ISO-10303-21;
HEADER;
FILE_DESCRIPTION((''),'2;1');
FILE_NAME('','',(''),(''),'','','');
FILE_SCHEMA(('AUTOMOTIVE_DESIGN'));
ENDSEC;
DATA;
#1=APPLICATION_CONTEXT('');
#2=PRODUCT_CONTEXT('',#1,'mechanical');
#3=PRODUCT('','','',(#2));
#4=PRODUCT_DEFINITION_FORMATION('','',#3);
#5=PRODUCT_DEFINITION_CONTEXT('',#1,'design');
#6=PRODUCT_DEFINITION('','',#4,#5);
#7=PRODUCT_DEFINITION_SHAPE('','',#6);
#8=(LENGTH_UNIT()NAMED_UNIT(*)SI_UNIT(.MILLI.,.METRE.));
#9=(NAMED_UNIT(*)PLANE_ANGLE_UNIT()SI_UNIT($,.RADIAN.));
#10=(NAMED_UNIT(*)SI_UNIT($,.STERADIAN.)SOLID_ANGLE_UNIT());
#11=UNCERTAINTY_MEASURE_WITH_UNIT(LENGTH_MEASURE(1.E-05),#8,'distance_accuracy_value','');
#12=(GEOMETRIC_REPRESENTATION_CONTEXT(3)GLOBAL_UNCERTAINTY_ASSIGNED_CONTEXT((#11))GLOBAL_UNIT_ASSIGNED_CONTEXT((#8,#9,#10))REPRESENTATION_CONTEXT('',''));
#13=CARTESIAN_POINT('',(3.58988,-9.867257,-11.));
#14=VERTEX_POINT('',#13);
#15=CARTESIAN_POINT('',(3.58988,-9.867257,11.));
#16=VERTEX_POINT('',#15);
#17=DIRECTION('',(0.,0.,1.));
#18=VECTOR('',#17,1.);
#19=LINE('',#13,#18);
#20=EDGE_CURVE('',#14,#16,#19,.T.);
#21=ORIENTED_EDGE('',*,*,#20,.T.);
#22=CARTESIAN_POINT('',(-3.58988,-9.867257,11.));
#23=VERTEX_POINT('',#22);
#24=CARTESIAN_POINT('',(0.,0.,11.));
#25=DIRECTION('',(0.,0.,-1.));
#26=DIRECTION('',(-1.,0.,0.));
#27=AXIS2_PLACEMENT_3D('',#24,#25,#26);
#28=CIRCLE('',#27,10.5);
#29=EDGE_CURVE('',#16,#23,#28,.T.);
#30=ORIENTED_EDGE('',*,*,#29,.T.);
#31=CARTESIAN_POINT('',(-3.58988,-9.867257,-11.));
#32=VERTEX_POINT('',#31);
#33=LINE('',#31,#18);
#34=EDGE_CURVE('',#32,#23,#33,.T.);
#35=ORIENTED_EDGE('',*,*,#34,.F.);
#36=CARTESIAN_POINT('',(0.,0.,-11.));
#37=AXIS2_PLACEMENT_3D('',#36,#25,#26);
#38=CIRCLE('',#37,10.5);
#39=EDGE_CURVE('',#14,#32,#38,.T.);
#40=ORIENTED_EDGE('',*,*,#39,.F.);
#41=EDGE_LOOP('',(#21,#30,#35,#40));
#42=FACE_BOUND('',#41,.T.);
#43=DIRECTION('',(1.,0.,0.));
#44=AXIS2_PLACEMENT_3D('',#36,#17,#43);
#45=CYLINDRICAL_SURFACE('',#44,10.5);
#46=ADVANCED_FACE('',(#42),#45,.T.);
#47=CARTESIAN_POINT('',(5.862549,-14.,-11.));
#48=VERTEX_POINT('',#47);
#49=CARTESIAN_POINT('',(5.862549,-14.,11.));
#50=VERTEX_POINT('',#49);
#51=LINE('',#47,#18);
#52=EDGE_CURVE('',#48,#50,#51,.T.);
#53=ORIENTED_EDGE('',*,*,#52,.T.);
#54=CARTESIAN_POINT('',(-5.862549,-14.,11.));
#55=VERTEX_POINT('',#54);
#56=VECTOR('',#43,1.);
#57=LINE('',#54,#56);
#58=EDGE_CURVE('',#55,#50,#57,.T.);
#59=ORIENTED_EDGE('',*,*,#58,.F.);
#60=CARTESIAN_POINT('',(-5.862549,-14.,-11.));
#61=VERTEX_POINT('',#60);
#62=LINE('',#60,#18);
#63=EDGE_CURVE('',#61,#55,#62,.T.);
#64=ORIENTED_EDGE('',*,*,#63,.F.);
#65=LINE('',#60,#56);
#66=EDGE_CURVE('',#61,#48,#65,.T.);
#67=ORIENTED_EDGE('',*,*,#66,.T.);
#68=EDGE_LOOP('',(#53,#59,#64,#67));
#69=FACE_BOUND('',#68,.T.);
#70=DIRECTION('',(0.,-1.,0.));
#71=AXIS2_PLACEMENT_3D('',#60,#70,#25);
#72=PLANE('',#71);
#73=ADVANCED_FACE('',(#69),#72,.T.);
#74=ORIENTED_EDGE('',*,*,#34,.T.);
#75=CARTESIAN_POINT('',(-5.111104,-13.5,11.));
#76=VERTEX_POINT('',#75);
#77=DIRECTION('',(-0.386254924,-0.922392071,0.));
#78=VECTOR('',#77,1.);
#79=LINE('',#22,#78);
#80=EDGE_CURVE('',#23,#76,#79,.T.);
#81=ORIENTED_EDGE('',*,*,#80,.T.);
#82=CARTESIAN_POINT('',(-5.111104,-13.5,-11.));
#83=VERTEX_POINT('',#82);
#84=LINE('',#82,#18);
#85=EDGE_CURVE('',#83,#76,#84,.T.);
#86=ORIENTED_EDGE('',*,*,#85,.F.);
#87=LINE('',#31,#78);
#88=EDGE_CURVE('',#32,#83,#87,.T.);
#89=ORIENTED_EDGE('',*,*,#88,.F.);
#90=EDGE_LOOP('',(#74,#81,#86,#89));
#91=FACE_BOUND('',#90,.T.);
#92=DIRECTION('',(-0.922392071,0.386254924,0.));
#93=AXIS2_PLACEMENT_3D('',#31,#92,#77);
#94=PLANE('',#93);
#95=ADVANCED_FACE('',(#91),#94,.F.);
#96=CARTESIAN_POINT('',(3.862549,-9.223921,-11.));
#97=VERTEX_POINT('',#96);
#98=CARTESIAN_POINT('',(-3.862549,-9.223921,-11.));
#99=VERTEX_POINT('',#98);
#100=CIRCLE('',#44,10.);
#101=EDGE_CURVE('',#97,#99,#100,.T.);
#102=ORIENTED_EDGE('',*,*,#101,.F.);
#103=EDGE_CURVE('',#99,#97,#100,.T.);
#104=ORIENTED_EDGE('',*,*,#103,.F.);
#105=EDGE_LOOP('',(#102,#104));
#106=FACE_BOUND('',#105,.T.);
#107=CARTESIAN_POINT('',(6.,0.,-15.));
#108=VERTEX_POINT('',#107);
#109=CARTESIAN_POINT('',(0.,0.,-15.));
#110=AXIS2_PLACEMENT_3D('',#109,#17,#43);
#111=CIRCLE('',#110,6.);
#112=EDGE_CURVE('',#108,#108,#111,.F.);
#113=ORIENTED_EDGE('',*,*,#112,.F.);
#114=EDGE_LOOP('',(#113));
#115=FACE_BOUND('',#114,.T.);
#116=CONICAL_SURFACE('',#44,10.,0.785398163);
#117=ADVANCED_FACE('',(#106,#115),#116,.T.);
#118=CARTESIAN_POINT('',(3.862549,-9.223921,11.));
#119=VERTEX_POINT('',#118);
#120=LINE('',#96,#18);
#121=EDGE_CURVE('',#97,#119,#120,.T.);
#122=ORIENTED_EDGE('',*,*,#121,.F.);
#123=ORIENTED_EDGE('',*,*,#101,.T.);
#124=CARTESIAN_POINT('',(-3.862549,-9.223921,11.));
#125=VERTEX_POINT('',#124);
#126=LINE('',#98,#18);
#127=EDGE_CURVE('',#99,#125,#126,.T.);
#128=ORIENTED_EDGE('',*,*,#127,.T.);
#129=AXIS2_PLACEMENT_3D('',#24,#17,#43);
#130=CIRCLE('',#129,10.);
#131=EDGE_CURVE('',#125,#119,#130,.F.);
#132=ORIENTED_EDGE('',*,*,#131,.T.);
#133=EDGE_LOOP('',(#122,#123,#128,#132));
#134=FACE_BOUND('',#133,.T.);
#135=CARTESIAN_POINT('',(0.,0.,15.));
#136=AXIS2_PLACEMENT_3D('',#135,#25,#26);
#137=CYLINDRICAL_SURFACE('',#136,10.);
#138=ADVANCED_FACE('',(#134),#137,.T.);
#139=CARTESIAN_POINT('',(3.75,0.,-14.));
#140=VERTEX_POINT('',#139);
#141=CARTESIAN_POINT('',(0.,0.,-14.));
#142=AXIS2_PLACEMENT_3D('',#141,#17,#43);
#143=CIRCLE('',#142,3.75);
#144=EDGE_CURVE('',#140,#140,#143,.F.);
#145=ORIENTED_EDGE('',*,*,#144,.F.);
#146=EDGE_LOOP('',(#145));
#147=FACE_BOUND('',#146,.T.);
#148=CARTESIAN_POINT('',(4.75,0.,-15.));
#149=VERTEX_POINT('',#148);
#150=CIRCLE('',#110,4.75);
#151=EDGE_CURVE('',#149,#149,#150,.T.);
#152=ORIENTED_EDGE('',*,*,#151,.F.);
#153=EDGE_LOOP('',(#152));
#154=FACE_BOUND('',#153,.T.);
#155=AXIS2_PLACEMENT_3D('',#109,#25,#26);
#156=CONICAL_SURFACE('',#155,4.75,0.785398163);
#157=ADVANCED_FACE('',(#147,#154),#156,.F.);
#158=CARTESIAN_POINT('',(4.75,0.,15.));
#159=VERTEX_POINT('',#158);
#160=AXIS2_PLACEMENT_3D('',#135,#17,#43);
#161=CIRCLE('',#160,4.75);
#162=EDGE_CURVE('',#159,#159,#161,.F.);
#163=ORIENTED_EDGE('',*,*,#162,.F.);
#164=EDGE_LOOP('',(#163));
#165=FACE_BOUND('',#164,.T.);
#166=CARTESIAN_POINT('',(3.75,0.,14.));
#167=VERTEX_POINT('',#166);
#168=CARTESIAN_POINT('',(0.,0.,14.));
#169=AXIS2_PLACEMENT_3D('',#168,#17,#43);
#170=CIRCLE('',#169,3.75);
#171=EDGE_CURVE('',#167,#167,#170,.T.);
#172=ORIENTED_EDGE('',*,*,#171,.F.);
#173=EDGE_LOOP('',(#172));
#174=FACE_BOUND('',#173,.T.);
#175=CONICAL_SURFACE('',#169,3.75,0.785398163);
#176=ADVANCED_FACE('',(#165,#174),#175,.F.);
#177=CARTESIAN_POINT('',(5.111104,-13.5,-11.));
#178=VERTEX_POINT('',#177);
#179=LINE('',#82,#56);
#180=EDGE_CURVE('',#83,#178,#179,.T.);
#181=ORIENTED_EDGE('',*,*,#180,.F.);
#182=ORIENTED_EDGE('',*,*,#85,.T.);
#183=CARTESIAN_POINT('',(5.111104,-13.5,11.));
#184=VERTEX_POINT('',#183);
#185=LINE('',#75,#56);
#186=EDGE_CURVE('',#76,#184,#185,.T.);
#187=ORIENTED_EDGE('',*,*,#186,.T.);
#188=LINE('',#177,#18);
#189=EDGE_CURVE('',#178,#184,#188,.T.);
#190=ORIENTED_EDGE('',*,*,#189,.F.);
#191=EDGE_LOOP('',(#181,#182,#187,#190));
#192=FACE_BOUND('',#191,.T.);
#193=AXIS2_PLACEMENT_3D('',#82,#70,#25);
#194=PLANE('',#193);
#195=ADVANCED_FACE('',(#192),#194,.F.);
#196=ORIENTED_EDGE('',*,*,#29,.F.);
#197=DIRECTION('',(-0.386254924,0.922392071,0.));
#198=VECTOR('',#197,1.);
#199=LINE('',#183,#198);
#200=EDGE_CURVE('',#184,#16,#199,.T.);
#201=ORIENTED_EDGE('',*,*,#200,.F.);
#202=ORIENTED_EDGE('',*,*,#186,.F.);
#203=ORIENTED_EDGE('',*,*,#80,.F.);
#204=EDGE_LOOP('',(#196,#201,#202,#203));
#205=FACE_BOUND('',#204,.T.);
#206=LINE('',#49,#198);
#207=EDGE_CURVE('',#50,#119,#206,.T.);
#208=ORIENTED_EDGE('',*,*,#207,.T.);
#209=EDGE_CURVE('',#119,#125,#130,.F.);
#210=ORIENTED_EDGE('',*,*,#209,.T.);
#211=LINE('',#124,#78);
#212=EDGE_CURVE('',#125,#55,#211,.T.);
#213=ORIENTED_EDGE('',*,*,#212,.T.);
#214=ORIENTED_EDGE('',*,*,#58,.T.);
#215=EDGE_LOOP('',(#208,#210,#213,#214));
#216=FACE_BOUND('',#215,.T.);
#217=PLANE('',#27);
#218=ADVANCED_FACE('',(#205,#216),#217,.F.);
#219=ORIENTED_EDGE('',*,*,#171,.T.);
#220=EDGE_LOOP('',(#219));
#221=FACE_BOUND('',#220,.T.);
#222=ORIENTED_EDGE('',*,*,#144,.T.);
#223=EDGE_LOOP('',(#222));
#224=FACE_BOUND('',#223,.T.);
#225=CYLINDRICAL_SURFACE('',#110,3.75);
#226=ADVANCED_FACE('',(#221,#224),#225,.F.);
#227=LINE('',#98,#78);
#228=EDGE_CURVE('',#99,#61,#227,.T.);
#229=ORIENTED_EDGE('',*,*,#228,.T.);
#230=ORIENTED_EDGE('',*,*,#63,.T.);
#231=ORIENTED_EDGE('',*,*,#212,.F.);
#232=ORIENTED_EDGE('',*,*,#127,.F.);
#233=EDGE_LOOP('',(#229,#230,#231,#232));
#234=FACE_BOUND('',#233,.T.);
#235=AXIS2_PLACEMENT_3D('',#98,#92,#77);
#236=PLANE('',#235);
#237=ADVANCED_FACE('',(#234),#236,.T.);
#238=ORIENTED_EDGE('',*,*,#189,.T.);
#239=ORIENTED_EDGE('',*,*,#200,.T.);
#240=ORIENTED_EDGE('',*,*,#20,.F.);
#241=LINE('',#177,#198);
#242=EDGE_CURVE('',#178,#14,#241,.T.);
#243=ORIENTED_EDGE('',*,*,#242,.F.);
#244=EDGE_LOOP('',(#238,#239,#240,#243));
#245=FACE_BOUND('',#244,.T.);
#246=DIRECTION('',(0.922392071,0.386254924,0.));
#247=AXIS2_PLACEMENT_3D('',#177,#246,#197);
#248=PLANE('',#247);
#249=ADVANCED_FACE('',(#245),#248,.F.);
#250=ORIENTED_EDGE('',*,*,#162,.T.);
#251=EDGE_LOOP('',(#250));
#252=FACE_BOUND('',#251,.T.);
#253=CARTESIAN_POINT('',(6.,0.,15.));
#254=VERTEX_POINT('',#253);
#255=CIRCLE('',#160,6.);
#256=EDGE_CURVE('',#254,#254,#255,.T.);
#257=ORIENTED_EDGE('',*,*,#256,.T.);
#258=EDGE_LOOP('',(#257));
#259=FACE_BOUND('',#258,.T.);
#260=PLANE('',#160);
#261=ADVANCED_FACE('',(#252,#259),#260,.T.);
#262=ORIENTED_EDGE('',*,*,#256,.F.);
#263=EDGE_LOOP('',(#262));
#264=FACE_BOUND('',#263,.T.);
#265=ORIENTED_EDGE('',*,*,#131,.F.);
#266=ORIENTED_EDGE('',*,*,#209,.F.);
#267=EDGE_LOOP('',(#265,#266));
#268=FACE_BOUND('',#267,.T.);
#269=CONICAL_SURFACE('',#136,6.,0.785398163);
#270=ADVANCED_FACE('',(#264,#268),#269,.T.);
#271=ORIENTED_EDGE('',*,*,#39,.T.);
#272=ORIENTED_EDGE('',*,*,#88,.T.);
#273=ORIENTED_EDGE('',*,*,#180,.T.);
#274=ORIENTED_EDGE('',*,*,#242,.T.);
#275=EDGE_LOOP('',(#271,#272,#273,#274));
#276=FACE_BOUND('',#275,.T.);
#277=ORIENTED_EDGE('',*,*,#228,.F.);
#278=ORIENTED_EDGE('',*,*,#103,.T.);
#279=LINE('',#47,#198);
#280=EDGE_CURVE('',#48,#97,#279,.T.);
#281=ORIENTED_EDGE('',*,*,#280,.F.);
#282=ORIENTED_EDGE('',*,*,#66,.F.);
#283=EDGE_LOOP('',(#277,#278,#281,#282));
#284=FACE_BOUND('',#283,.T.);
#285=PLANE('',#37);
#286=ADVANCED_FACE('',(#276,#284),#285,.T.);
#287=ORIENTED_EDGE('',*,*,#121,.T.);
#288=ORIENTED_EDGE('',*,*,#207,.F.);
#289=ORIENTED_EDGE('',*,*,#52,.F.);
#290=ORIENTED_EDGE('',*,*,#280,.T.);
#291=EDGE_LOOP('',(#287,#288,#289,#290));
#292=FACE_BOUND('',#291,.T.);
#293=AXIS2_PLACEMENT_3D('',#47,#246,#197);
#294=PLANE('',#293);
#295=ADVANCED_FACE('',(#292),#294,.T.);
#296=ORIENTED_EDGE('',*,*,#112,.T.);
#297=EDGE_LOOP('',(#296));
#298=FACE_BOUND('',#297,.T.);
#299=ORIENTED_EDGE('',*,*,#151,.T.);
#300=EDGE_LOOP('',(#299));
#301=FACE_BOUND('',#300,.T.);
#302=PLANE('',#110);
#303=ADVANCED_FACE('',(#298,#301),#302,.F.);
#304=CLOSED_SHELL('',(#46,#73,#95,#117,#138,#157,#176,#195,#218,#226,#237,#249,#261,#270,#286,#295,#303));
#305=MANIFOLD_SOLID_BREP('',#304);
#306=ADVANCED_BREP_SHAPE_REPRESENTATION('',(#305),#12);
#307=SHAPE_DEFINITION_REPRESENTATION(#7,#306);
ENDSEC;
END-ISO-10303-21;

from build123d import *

# Parameters (mm, degrees)
SKETCH1_R           = 10
BOSS_EXTRUDE1_DEPTH = 15
CHAMFER1_SIZE       = 4
SKETCH2_R           = 3.75
CUT_EXTRUDE1_DEPTH  = 34.166247904
CHAMFER2_SIZE       = 1
BOSS_EXTRUDE2_DEPTH = 22


with BuildPart() as part:
    # Sketch1 → Boss-Extrude1 (new, symmetric)
    with BuildSketch(Plane.XY):
        Circle(SKETCH1_R)
    extrude(amount=BOSS_EXTRUDE1_DEPTH, both=True)

    # Chamfer1
    chamfer1_edges = [part.edges().sort_by_distance(p)[0] for p in [
        (-10, 0, -15),
        (-10, 0, 15),
    ]]
    chamfer(chamfer1_edges, length=CHAMFER1_SIZE)

    # Sketch2 → Cut-Extrude1 (cut, through all)
    with BuildSketch(Plane.XY.offset(15)):
        Circle(SKETCH2_R)
    extrude(amount=-CUT_EXTRUDE1_DEPTH, mode=Mode.SUBTRACT)

    # Chamfer2
    chamfer2_edges = [part.edges().sort_by_distance(p)[0] for p in [
        (-3.75, 0, -15),
        (-3.75, 0, 15),
    ]]
    chamfer(chamfer2_edges, length=CHAMFER2_SIZE)

    # Sketch3 → Boss-Extrude2 (add)
    with BuildSketch(Plane.XY.offset(11)):
        with BuildLine():
            Line((-3.862549243, -9.223920714), (-5.862549243, -14))
            Line((-5.862549243, -14), (5.862549243, -14))
            Line((5.862549243, -14), (3.862549243, -9.223920714))
            ThreePointArc((3.862549243, -9.223920714), (0, -10), (-3.862549243, -9.223920714))
        make_face()
        with BuildLine():
            Line((-3.589879787, -9.867257122), (-5.111103644, -13.5))
            Line((-5.111103644, -13.5), (5.111103644, -13.5))
            Line((5.111103644, -13.5), (3.589879787, -9.867257122))
            ThreePointArc((3.589879787, -9.867257122), (0, -10.5), (-3.589879787, -9.867257122))
        make_face(mode=Mode.SUBTRACT)
    extrude(amount=-BOSS_EXTRUDE2_DEPTH)


solid = part.part
